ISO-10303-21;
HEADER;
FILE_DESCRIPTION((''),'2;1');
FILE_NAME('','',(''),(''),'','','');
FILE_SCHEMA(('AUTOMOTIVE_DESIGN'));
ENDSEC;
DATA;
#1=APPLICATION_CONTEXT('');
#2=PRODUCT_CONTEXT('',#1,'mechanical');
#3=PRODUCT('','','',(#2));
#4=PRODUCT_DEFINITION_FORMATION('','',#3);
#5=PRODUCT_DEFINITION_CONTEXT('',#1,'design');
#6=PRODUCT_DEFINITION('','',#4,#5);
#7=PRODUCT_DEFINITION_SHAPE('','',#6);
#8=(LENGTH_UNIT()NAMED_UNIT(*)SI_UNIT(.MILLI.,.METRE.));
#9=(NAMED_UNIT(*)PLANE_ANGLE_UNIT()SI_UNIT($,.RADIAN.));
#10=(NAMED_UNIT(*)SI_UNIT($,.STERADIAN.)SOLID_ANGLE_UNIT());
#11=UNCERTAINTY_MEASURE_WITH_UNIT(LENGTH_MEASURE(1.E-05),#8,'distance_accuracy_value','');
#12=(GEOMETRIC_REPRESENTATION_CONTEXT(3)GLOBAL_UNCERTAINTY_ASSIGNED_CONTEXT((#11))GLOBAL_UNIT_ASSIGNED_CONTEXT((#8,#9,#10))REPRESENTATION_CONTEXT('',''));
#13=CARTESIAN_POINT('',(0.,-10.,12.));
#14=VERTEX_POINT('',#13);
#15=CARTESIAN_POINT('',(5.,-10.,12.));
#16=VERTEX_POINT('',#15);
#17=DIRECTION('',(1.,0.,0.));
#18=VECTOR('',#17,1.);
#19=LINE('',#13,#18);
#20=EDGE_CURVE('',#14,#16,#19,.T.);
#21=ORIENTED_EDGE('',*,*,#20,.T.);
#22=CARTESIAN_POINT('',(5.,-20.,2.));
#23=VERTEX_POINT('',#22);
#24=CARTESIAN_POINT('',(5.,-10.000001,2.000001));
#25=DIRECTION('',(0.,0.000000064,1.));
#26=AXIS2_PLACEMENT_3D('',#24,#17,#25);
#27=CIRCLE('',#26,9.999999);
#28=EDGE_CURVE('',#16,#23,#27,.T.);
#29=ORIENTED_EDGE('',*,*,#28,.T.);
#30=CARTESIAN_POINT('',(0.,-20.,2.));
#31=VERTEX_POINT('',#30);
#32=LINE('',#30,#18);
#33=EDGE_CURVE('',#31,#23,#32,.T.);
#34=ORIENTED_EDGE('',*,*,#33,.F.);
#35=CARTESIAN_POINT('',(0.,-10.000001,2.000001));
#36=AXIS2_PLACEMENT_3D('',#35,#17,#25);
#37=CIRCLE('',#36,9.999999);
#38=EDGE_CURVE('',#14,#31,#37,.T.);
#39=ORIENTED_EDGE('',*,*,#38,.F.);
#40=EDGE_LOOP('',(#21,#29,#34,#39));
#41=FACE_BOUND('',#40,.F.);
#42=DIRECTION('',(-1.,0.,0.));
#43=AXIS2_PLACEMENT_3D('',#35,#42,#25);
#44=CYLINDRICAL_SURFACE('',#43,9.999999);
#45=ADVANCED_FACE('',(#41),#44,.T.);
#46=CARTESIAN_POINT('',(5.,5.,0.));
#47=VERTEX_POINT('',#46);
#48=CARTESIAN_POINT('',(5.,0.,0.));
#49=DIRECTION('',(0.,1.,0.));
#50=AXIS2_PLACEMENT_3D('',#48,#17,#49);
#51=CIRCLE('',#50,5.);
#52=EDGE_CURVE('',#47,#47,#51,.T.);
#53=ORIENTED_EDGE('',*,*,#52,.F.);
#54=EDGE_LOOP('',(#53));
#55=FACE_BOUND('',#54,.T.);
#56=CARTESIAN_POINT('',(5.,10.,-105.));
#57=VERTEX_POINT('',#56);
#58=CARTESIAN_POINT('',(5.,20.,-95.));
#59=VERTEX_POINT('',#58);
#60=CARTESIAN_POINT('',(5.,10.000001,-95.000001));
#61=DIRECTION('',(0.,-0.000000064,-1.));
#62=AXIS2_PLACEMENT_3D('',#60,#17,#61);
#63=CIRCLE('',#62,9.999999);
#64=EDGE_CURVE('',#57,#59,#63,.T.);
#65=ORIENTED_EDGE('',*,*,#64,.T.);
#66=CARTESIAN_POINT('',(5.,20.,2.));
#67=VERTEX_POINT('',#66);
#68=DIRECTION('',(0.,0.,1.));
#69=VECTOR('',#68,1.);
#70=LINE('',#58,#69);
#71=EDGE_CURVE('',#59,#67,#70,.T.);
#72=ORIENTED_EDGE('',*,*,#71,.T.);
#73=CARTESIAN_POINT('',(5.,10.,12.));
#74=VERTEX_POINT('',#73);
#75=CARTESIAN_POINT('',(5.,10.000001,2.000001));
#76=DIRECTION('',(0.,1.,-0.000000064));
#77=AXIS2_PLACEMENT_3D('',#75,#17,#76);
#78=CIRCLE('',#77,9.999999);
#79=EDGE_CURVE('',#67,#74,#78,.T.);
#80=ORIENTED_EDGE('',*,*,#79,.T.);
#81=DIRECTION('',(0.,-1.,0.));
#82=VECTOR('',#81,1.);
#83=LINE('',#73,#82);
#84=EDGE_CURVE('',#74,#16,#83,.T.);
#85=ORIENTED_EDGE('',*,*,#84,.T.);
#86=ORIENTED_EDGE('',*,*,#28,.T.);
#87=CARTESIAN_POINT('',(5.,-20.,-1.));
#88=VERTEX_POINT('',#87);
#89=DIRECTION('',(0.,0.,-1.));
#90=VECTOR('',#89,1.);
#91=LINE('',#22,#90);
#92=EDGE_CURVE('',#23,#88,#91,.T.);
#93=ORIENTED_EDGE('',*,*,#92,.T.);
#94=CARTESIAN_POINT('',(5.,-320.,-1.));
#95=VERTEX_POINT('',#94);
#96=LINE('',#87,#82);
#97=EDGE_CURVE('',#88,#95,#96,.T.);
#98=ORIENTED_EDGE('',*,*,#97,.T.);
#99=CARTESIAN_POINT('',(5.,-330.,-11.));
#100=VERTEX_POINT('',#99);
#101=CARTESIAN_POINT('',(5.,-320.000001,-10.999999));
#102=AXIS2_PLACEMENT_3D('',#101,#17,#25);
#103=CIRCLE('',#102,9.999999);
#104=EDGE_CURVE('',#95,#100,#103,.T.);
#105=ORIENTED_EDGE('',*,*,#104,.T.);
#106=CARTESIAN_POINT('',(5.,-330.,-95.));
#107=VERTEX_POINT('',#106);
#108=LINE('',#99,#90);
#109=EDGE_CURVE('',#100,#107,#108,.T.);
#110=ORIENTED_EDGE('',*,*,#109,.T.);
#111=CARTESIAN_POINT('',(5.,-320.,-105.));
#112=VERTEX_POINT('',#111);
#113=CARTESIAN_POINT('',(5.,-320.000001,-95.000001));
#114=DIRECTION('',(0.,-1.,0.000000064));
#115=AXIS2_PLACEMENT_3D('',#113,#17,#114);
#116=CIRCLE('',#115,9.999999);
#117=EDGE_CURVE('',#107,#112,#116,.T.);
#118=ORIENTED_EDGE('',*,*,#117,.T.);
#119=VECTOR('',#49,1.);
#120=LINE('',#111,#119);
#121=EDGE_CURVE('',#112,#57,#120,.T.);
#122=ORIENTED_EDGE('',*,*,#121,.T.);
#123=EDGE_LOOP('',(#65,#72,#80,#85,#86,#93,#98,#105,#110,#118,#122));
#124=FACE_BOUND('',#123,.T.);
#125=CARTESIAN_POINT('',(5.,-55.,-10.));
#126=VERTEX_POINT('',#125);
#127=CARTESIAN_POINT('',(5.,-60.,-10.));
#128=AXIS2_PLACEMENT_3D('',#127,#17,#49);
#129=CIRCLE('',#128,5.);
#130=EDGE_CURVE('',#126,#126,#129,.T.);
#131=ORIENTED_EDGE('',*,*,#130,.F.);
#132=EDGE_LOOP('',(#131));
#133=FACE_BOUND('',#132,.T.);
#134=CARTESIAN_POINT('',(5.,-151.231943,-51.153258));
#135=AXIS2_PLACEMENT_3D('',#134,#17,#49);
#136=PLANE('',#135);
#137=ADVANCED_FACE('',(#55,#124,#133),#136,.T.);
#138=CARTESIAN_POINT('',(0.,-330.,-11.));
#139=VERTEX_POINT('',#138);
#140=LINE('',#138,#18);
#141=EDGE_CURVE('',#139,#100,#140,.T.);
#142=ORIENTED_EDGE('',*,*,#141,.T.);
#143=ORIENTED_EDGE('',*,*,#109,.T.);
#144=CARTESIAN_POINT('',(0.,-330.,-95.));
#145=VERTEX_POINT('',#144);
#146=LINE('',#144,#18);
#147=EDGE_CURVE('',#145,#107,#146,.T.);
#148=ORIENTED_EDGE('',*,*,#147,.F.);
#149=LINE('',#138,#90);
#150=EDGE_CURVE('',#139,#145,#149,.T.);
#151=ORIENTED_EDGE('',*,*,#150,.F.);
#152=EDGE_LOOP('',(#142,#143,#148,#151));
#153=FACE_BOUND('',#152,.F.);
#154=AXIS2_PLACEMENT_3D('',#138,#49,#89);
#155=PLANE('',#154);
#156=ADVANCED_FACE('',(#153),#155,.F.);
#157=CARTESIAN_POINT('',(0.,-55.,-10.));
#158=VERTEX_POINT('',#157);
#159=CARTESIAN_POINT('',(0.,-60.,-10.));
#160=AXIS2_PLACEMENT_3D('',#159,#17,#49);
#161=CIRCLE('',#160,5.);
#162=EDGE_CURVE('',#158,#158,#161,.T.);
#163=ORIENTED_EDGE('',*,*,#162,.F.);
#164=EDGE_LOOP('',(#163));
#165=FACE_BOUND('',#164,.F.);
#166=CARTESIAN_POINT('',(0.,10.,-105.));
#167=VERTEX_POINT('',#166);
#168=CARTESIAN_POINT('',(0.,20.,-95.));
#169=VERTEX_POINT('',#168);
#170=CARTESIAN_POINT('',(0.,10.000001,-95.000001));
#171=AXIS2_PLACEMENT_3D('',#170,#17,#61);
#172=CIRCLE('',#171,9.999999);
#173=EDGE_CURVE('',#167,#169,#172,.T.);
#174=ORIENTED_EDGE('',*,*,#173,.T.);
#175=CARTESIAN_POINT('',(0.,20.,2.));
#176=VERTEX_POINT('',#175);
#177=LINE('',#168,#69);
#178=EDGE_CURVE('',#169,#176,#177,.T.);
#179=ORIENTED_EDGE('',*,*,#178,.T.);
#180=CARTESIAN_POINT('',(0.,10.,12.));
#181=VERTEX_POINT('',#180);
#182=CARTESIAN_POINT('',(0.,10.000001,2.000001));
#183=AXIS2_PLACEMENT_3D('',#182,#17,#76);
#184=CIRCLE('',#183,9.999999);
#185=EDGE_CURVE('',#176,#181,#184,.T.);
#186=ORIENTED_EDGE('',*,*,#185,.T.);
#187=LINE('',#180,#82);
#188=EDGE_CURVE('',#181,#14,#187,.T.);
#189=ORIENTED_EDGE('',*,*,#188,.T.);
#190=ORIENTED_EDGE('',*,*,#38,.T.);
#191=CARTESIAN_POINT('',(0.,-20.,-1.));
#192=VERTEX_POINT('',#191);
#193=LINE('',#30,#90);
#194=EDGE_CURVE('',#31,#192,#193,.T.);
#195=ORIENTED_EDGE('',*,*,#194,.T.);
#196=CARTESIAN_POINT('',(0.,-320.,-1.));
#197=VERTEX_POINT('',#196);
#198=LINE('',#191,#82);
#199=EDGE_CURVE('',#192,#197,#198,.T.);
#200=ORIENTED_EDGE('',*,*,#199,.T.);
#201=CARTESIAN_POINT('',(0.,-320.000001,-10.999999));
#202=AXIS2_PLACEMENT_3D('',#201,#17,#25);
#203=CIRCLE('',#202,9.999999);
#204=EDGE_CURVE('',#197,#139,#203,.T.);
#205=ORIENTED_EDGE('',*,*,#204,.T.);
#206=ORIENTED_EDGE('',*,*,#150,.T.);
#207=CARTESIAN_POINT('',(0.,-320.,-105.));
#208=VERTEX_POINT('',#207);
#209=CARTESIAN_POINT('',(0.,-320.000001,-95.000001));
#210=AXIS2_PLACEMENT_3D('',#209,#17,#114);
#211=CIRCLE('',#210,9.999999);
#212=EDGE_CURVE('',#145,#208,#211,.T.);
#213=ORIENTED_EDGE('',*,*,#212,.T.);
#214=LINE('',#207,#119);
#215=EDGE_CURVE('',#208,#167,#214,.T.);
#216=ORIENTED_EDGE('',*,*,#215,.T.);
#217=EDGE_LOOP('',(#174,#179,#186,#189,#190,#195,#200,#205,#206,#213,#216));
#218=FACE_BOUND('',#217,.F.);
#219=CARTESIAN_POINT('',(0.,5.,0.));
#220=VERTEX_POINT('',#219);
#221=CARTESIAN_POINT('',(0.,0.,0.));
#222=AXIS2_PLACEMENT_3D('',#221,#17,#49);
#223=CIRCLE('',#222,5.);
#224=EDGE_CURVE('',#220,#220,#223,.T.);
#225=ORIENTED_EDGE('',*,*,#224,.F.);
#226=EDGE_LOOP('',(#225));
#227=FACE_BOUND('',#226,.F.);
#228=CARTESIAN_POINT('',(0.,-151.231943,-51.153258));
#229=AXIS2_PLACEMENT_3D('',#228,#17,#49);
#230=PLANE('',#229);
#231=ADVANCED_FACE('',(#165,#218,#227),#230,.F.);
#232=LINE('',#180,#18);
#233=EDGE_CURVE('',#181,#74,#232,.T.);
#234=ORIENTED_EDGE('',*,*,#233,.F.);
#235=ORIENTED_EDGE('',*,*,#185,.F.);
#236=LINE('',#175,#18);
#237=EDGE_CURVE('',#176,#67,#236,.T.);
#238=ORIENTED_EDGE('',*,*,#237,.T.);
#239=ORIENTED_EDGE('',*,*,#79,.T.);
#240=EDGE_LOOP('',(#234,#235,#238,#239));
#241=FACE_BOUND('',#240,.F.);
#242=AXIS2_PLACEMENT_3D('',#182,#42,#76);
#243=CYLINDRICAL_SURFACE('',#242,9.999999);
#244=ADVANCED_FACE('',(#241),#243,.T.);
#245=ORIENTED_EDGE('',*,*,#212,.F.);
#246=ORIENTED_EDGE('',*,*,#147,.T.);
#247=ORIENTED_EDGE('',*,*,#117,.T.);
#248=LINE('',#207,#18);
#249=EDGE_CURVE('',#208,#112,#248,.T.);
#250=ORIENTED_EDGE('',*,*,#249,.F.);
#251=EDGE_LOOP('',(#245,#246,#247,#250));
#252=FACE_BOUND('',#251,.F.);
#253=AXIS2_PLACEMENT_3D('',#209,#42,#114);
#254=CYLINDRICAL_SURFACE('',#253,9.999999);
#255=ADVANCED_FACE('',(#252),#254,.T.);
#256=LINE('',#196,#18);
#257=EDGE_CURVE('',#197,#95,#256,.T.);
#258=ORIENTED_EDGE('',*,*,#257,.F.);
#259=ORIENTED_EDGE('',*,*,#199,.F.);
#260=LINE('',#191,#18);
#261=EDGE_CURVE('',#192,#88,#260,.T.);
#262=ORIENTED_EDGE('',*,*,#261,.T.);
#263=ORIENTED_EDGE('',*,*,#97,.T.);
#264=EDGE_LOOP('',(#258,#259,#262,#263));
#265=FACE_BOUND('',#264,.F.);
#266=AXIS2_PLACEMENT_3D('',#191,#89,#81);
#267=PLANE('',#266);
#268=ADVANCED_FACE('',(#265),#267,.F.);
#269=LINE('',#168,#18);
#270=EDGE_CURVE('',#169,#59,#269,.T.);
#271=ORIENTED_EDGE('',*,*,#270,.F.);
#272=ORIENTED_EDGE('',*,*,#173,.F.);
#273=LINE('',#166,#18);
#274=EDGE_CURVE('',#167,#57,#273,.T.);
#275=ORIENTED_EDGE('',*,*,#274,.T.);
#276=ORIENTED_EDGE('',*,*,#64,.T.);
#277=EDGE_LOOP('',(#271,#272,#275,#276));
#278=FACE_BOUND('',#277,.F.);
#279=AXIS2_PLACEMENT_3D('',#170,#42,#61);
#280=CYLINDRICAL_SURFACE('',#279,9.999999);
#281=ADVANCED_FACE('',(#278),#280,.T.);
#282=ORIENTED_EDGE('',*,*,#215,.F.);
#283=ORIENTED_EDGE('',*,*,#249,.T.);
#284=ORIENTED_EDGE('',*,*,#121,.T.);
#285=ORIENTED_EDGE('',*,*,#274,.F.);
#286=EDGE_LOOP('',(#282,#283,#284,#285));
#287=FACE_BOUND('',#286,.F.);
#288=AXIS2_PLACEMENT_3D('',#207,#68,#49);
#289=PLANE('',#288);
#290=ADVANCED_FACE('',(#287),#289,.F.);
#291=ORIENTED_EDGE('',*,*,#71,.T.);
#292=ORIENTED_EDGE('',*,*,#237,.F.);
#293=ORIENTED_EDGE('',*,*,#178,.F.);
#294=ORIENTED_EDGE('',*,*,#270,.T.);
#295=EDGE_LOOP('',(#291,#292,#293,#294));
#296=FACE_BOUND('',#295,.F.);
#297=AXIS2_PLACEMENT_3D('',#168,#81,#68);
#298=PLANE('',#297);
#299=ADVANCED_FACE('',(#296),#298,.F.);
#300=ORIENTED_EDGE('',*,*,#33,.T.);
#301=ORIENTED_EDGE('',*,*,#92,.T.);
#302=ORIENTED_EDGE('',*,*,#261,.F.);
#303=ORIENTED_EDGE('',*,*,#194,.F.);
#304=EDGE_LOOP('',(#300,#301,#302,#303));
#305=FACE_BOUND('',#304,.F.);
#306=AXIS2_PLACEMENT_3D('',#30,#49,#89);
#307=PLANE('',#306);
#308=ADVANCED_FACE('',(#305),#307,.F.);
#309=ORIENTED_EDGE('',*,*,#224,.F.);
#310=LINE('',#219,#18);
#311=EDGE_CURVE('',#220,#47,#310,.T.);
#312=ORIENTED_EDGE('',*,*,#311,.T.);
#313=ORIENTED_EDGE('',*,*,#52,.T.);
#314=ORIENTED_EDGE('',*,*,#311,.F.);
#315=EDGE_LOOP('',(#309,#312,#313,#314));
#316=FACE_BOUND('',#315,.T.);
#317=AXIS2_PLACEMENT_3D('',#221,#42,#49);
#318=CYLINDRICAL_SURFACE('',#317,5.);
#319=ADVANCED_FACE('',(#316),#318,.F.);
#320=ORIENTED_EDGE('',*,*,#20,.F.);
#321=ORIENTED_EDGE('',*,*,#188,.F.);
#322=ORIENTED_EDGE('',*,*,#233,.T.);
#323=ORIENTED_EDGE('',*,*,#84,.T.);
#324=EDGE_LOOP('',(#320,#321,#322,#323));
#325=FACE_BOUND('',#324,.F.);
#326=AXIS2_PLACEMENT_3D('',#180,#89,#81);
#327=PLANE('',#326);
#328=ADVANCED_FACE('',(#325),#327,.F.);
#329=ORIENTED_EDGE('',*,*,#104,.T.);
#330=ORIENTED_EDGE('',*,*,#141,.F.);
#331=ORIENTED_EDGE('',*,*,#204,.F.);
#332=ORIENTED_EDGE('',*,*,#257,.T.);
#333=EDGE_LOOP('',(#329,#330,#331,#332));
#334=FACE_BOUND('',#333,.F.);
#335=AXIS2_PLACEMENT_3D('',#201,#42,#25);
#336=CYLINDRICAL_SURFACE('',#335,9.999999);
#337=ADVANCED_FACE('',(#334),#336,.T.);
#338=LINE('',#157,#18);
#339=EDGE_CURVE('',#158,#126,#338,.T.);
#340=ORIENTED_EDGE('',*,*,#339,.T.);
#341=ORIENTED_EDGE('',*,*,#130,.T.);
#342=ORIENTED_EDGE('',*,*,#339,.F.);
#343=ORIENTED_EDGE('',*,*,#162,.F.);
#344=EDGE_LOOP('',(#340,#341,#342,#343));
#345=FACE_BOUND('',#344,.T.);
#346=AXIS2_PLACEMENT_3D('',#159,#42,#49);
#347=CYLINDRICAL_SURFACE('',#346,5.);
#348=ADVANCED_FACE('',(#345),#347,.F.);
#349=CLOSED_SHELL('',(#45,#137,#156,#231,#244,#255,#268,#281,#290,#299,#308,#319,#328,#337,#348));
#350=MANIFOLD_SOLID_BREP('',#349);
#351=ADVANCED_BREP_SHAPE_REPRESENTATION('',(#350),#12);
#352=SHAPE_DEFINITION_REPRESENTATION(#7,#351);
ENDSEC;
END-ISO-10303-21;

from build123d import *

# Parameters (mm, degrees)
F0_R     = 5
F1_DEPTH = 5


with BuildPart() as f1:
    # F0 (on Right) → F1 (new body)
    with BuildSketch(Plane.YZ):
        with BuildLine():
            Line((-20, -1), (-320, -1))
            ThreePointArc((-320, -1), (-327.071068, -3.928932), (-330, -11))
            Line((-330, -11), (-330, -95))
            ThreePointArc((-330, -95), (-327.071068, -102.071068), (-320, -105))
            Line((-320, -105), (10, -105))
            ThreePointArc((10, -105), (17.071068, -102.071068), (20, -95))
            Line((20, -95), (20, 2))
            ThreePointArc((20, 2), (17.071068, 9.071068), (10, 12))
            Line((10, 12), (-10, 12))
            ThreePointArc((-10, 12), (-17.071068, 9.071068), (-20, 2))
            Line((-20, 2), (-20, -1))
        make_face()
        with Locations((-60, -10)):
            Circle(F0_R, mode=Mode.SUBTRACT)
        Circle(F0_R, mode=Mode.SUBTRACT)
    extrude(amount=F1_DEPTH)


solid = f1.part
